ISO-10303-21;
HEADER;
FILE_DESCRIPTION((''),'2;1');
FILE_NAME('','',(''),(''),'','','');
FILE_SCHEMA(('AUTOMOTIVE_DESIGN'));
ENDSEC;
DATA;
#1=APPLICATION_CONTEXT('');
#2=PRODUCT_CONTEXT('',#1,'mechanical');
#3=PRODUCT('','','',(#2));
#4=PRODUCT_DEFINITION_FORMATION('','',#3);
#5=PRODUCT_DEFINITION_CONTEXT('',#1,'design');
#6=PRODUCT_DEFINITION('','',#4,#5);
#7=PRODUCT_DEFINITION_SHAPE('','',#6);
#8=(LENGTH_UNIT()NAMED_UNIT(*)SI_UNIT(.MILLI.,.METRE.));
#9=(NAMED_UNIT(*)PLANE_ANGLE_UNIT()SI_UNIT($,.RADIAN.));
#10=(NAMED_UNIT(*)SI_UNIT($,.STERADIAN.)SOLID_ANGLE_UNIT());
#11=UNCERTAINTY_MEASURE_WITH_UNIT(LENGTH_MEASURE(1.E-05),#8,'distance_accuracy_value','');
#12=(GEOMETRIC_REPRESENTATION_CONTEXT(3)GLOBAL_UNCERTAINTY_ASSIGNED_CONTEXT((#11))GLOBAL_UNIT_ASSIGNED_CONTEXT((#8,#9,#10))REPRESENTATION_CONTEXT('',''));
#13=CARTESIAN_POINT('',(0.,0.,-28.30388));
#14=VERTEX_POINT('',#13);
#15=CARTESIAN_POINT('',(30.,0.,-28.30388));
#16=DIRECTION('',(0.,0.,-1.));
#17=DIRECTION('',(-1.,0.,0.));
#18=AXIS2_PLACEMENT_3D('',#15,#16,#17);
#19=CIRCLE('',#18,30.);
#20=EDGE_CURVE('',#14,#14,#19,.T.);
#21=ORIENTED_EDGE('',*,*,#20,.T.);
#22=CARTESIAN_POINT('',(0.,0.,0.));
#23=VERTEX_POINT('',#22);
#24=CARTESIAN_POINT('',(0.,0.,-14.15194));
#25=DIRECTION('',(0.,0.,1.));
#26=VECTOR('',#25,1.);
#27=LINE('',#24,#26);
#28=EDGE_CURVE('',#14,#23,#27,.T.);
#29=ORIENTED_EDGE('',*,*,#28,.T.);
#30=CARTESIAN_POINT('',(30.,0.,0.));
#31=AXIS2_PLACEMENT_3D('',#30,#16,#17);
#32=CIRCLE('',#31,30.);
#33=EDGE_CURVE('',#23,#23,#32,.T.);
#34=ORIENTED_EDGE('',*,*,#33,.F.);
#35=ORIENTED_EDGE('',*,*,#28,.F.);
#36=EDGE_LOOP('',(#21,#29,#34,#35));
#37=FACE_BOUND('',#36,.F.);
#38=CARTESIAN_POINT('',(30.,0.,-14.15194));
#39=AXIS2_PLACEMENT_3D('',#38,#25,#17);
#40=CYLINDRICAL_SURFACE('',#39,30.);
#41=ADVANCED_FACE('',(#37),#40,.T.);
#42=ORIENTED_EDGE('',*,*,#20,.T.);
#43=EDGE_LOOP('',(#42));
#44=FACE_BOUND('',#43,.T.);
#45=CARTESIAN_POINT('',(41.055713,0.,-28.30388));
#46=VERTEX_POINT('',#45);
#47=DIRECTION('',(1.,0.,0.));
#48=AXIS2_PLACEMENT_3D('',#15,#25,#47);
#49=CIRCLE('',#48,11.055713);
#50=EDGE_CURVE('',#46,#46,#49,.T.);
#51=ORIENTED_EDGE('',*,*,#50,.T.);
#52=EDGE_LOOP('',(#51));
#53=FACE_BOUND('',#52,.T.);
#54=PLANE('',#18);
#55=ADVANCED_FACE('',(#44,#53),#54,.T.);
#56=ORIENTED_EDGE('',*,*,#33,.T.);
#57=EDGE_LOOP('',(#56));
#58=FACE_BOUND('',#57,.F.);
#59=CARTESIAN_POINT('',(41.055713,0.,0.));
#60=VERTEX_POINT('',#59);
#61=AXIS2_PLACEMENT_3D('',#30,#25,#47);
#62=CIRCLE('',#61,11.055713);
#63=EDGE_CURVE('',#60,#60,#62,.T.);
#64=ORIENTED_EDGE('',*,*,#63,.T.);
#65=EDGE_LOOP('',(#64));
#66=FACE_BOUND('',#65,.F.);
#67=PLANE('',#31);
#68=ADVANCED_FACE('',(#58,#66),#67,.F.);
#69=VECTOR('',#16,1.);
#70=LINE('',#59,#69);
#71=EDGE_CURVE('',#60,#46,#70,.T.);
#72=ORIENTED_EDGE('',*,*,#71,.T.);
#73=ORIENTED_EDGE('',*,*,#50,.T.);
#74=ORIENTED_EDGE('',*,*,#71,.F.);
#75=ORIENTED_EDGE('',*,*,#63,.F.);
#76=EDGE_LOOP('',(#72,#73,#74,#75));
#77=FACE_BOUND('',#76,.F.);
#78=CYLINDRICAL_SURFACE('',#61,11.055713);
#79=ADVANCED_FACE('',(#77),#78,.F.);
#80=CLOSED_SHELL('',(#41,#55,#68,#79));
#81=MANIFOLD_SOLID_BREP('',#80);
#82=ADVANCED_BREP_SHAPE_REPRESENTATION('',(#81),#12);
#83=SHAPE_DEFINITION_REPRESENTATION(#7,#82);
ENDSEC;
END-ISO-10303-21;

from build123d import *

# Parameters (mm, degrees)
F0_W     = 30
F0_H     = 28.30388
F2_R     = 11.055713
F3_DEPTH = 40


with BuildPart() as f1:
    # F0 (on Front) → F1 (revolve)
    with BuildSketch(Plane.XZ):
        with Locations((15, -14.15194)):
            Rectangle(F0_W, F0_H)
    revolve(axis=Axis((30, 0, -14.15194), (0, 0, -1)))

    # F2 (on face) → F3 (cut)
    with BuildSketch(Plane.XY):
        with Locations((30, 0)):
            Circle(F2_R)
    extrude(amount=-F3_DEPTH, mode=Mode.SUBTRACT)


solid = f1.part
